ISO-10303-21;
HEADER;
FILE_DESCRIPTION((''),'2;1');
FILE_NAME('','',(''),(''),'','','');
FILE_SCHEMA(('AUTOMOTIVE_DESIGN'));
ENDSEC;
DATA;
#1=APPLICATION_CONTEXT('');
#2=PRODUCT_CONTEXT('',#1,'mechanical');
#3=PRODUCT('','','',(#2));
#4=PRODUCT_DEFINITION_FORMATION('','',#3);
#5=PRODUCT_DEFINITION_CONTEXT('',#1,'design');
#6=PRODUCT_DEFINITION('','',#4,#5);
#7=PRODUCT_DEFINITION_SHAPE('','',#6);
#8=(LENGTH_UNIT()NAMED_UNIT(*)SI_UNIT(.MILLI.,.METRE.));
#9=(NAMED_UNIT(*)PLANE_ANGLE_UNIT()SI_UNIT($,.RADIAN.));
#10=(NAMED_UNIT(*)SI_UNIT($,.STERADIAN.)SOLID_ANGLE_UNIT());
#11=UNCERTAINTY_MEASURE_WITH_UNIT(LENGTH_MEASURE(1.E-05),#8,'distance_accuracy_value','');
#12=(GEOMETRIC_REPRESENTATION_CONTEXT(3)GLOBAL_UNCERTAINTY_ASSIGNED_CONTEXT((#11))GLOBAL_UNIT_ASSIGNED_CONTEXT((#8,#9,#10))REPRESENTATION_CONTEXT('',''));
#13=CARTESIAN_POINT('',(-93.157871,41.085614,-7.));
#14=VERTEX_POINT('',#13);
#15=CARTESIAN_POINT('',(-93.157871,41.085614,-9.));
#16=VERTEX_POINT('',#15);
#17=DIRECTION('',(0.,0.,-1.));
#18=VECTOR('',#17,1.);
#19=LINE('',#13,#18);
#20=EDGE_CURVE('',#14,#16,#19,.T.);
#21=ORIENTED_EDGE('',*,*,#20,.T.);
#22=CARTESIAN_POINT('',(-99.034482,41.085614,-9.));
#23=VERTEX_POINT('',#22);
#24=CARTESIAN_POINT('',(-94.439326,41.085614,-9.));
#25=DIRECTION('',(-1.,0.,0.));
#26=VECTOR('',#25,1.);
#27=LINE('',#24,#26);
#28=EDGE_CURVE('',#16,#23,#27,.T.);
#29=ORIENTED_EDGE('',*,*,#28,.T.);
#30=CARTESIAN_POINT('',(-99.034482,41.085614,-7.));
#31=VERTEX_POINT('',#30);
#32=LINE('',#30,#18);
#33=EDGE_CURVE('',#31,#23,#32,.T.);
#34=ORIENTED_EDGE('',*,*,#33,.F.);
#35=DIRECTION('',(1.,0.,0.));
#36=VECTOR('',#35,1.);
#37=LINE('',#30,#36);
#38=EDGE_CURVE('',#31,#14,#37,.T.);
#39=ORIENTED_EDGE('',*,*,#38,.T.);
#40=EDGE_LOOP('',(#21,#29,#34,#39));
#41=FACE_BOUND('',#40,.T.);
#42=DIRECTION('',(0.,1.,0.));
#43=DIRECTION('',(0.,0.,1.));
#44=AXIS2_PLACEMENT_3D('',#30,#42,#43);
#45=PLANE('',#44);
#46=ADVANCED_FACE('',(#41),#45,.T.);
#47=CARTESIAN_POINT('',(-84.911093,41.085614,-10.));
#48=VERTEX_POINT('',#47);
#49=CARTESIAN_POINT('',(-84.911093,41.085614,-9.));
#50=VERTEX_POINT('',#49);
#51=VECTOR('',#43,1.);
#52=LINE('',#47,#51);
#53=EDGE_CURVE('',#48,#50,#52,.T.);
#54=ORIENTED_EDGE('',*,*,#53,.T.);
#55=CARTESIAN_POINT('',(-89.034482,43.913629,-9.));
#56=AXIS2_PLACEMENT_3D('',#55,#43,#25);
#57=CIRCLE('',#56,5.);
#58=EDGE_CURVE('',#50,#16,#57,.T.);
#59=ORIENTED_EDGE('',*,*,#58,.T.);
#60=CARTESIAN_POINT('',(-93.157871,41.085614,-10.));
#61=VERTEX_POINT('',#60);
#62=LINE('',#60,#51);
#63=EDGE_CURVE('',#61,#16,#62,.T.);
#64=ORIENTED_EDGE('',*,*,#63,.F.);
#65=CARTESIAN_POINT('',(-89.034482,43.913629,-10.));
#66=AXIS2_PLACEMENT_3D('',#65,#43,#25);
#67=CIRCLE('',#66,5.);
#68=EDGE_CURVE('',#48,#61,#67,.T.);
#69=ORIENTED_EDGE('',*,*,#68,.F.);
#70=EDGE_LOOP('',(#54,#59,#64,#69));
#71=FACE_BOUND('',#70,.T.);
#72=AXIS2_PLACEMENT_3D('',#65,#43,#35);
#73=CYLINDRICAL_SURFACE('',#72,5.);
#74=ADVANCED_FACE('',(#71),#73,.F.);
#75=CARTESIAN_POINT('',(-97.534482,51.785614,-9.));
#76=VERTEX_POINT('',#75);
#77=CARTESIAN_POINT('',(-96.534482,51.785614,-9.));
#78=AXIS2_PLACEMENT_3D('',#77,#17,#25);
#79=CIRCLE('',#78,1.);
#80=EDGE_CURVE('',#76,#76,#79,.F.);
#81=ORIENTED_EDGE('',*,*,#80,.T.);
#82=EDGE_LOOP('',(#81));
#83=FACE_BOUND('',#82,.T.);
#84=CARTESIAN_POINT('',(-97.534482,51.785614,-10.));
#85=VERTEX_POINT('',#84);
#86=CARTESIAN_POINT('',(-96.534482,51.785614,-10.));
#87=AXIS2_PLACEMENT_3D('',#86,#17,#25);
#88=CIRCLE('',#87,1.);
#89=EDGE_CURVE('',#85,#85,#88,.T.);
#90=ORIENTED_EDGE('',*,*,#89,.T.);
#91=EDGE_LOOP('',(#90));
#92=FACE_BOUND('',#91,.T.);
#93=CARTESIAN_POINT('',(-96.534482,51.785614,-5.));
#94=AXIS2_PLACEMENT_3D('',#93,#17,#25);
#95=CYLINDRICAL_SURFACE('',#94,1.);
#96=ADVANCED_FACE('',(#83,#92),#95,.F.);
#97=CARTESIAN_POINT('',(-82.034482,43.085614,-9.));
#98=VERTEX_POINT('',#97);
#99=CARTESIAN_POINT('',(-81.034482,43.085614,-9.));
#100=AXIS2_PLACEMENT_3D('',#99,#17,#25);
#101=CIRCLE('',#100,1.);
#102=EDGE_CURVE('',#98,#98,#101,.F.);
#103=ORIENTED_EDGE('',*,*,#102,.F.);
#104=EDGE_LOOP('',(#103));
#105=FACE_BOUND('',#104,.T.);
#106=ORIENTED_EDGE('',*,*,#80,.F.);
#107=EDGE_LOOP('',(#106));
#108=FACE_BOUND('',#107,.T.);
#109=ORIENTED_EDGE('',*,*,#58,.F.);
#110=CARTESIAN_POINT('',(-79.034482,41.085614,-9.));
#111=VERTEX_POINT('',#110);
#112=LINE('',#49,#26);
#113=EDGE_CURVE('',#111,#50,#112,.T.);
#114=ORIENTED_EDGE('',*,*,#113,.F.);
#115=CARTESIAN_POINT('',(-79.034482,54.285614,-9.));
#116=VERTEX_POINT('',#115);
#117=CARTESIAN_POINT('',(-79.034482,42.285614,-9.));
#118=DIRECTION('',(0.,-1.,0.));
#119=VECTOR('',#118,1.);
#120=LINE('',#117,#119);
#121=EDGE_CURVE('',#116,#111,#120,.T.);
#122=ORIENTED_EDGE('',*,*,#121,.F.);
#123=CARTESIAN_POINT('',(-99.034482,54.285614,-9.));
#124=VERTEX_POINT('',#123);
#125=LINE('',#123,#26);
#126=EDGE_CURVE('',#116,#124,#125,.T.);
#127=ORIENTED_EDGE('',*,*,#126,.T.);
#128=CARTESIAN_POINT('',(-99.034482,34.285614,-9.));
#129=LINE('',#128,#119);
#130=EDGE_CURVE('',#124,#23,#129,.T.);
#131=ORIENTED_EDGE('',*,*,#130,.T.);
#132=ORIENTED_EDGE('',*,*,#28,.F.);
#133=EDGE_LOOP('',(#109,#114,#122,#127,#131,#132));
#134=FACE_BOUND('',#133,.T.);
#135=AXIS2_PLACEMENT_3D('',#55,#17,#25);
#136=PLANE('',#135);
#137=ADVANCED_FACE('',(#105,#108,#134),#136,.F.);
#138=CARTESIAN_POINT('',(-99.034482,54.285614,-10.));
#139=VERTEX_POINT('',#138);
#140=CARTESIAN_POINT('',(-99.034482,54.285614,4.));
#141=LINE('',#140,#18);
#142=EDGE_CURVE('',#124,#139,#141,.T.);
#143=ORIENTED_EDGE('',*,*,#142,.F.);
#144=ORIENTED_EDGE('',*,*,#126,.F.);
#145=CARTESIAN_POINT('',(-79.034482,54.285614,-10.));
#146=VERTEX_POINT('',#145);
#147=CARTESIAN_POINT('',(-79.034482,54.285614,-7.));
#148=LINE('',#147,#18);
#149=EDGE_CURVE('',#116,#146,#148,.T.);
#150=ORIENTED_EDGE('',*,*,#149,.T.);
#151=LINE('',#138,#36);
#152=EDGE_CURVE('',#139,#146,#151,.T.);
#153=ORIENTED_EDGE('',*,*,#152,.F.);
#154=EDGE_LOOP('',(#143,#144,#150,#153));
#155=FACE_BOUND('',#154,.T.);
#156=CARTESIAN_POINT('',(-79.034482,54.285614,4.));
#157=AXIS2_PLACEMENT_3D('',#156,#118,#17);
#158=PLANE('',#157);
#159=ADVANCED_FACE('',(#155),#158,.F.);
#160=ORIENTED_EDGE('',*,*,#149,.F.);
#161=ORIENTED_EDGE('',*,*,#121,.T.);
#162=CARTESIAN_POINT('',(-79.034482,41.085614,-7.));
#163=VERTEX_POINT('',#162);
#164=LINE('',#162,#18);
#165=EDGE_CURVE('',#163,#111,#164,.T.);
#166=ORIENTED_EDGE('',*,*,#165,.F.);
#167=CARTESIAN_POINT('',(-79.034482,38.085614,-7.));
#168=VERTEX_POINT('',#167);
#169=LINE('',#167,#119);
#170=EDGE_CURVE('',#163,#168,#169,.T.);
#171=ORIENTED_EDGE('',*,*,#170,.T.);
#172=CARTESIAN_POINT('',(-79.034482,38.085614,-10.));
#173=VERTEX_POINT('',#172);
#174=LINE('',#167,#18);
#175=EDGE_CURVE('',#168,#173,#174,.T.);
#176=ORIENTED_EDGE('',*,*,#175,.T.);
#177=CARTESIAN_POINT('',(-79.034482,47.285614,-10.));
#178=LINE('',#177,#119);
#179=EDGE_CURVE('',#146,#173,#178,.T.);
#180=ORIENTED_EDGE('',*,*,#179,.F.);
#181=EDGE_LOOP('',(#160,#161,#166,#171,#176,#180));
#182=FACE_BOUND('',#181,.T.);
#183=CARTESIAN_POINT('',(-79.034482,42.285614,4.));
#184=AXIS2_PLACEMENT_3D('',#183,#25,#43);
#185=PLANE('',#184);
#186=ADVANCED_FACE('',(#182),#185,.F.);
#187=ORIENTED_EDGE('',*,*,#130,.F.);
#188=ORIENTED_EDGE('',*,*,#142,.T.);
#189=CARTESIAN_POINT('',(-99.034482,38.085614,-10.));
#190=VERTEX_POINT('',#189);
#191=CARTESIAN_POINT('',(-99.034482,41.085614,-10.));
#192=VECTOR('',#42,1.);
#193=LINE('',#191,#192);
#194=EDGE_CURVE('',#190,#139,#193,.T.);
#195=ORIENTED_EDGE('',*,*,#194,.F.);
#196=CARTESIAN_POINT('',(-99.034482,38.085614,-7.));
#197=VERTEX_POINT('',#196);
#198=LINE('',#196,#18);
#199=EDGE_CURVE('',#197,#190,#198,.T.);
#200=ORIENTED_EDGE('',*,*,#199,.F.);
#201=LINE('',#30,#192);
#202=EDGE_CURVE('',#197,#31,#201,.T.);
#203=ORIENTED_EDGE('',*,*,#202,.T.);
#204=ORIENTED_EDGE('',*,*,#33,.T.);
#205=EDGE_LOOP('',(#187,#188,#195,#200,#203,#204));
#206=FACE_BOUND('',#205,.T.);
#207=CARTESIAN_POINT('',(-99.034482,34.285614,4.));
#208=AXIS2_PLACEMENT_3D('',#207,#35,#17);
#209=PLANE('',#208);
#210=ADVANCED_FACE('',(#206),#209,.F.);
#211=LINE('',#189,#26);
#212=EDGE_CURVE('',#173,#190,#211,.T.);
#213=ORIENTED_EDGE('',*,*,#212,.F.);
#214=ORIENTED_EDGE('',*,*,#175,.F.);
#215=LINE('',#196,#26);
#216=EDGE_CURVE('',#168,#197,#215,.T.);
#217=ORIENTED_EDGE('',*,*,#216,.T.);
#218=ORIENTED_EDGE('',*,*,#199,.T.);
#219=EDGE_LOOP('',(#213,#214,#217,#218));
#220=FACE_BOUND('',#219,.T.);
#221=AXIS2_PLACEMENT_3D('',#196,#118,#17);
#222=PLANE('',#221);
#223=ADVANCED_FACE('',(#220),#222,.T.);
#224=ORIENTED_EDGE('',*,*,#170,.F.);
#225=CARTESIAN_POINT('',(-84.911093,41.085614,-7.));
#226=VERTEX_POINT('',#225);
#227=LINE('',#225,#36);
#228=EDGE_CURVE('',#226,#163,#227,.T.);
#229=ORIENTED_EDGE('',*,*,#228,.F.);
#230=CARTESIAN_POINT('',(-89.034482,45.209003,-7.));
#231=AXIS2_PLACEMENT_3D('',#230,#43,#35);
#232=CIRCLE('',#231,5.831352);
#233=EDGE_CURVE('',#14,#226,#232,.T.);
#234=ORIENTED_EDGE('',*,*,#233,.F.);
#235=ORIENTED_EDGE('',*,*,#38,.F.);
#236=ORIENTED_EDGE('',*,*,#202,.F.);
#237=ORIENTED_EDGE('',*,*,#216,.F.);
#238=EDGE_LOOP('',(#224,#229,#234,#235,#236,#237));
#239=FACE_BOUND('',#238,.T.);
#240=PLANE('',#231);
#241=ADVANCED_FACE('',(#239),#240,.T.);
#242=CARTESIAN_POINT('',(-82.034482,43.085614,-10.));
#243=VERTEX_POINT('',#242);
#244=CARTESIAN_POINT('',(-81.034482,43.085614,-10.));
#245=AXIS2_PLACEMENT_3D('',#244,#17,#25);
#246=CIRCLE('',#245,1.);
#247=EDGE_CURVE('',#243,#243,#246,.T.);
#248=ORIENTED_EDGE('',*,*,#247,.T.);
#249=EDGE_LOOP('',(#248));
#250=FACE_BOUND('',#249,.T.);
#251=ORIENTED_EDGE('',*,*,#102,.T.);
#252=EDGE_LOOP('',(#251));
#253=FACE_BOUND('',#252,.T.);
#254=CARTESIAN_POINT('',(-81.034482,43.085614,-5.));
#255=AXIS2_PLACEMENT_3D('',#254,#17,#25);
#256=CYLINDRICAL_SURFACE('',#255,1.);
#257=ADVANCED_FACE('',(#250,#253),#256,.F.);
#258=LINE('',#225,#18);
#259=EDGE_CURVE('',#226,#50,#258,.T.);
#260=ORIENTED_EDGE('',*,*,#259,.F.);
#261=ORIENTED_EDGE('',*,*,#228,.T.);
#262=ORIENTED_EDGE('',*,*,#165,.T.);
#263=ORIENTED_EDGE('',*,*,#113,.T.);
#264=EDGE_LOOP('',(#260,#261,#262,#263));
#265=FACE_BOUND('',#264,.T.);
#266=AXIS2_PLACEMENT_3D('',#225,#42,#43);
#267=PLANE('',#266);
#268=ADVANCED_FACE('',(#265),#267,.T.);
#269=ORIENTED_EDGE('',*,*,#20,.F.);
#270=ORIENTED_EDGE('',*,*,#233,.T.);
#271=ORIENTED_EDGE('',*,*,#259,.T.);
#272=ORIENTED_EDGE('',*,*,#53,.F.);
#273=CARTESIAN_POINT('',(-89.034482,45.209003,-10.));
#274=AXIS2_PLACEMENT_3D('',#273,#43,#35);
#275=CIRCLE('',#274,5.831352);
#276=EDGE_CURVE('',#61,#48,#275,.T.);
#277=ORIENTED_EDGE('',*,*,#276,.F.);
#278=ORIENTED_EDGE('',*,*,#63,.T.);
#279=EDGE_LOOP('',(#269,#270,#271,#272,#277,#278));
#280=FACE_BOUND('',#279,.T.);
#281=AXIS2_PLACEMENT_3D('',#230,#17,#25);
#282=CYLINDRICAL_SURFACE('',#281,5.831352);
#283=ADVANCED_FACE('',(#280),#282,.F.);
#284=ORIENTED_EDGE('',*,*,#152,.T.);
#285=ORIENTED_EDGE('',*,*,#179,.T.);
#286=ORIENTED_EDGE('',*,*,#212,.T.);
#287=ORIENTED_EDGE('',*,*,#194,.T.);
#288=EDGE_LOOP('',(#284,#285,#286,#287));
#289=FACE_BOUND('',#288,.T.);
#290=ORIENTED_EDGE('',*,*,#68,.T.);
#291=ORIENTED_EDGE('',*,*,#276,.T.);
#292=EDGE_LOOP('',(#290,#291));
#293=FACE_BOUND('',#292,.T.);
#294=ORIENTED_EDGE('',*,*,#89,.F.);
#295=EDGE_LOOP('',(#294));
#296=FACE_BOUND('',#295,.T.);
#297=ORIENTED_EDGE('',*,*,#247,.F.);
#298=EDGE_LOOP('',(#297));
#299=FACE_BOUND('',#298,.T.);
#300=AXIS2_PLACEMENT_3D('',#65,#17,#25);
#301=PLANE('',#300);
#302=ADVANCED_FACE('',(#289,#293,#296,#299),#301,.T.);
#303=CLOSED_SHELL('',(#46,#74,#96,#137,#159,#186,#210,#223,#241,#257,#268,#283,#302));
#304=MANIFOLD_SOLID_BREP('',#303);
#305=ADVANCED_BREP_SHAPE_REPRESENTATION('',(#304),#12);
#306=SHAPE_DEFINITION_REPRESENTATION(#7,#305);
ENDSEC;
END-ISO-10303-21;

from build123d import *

# Parameters (mm, degrees)
CROQUIS1_R              = 1.628014373
SALIENTE_EXTRUIR1_DEPTH = 4
SALIENTE_EXTRUIR2_DEPTH = 9
CROQUIS3_R              = 1.5
CORTAR_EXTRUIR1_DEPTH   = 4
SALIENTE_EXTRUIR3_DEPTH = 7
CORTAR_EXTRUIR2_DEPTH   = 4.8
CROQUIS10_R             = 1
CORTAR_EXTRUIR3_DEPTH   = 4
SALIENTE_EXTRUIR4_START = 1
CROQUIS11_R             = 1
CROQUIS11_W             = 5.6
CROQUIS11_H             = 2.5
SALIENTE_EXTRUIR4_DEPTH = 1
CROQUIS12_W             = 27.503266124
CROQUIS12_H             = 20
CORTAR_EXTRUIR4_DEPTH   = 13
CROQUIS13_W             = 5.6
CROQUIS13_H             = 2.5
SALIENTE_EXTRUIR5_DEPTH = 1
SALIENTE_EXTRUIR6_DEPTH = 3
CROQUIS15_W             = 3
CROQUIS15_H             = 7
CORTAR_EXTRUIR5_DEPTH   = 3


with BuildPart() as part:
    # Croquis1 → Saliente-Extruir1 (new body)
    with BuildSketch(Plane.XY):
        with BuildLine():
            Line((-79.034482165, 42.285614206), (-79.034482165, 34.285614206))
            Line((-79.034482165, 34.285614206), (-85.534482165, 34.285614206))
            Line((-85.534482165, 34.285614206), (-85.534482165, 43.91362858))
            ThreePointArc((-85.534482165, 43.91362858), (-89.034482165, 47.41362858), (-92.534482165, 43.91362858))
            Line((-92.534482165, 43.91362858), (-92.534482165, 34.285614206))
            Line((-92.534482165, 34.285614206), (-99.034482165, 34.285614206))
            Line((-99.034482165, 34.285614206), (-99.034482165, 42.285614206))
            Line((-99.034482165, 42.285614206), (-99.034482165, 54.285614206))
            Line((-99.034482165, 54.285614206), (-79.034482165, 54.285614206))
            Line((-79.034482165, 54.285614206), (-79.034482165, 42.285614206))
        make_face()
        with Locations((-96.034482165, 38.285614206)):
            Circle(CROQUIS1_R, mode=Mode.SUBTRACT)
        with Locations((-82.034482165, 38.285614206)):
            Circle(CROQUIS1_R, mode=Mode.SUBTRACT)
    extrude(amount=SALIENTE_EXTRUIR1_DEPTH)

    # Croquis2 → Saliente-Extruir2 (add)
    with BuildSketch(Plane(origin=(0, 0, 0), x_dir=(-1, 0, 0), z_dir=(0, 0, -1))):
        with BuildLine():
            Line((79.034482165, 41.085614206), (83.629638531, 41.085614206))
            ThreePointArc((83.629638531, 41.085614206), (89.034482165, 50.01362858), (94.439325799, 41.085614206))
            Line((94.439325799, 41.085614206), (99.034482165, 41.085614206))
            Line((99.034482165, 41.085614206), (99.034482165, 54.285614206))
            Line((99.034482165, 54.285614206), (79.034482165, 54.285614206))
            Line((79.034482165, 54.285614206), (79.034482165, 41.085614206))
        make_face()
    extrude(amount=SALIENTE_EXTRUIR2_DEPTH)

    # Croquis3 → Cortar-Extruir1 (cut)
    with BuildSketch(Plane(origin=(0, 54.285614206, 0), x_dir=(1, 0, 0), z_dir=(0, 1, 0))):
        with Locations(Location((-90.034482165, 7, 0), (0, 0, 270))):
            Circle(CROQUIS3_R)
        with BuildLine():
            Line((-79.034482165, 8.118033989), (-79.034482165, 5.881966011))
            ThreePointArc((-79.034482165, 5.881966011), (-81.534482165, 7), (-79.034482165, 8.118033989))
        make_face()
    extrude(amount=-CORTAR_EXTRUIR1_DEPTH, mode=Mode.SUBTRACT)

    # Croquis4 → Saliente-Extruir3 (add)
    with BuildSketch(Plane(origin=(0, 54.285614206, 0), x_dir=(1, 0, 0), z_dir=(0, 1, 0))):
        with BuildLine():
            Line((-76.034482165, 1), (-76.034482165, 9))
            Line((-76.034482165, 9), (-79.034482165, 9))
            Line((-79.034482165, 9), (-79.034482165, 8.118033989))
            ThreePointArc((-79.034482165, 8.118033989), (-78.534482165, 7), (-79.034482165, 5.881966011))
            Line((-79.034482165, 5.881966011), (-79.034482165, -4))
            Line((-79.034482165, -4), (-76.034482165, 1))
        make_face()
    extrude(amount=-SALIENTE_EXTRUIR3_DEPTH)

    # Croquis5 → Cortar-Extruir2 (cut)
    with BuildSketch(Plane(origin=(0, 0, -9), x_dir=(-1, 0, 0), z_dir=(0, 0, -1))):
        Polygon((90.034482165, 50.285614206), (92.834482165, 50.285614206), (92.834482165, 52.785614206), (87.234482165, 52.785614206), (87.234482165, 50.285614206), align=None)
        Polygon((80.034482165, 50.285614206), (82.834482165, 50.285614206), (82.834482165, 52.785614206), (77.234482165, 52.785614206), (77.234482165, 50.285614206), align=None)
    extrude(amount=-CORTAR_EXTRUIR2_DEPTH, mode=Mode.SUBTRACT)

    # Croquis10 → Cortar-Extruir3 (cut)
    with BuildSketch(Plane(origin=(0, 0, -9), x_dir=(-1, 0, 0), z_dir=(0, 0, -1))):
        with Locations((96.534482165, 51.785614206)):
            Circle(CROQUIS10_R)
        with Locations((81.034482165, 43.085614206)):
            Circle(CROQUIS10_R)
    extrude(amount=-CORTAR_EXTRUIR3_DEPTH, mode=Mode.SUBTRACT)

    # Croquis11 → Saliente-Extruir4 (add)
    with BuildSketch(Plane(origin=(0, 0, -9), x_dir=(-1, 0, 0), z_dir=(0, 0, -1)).offset(SALIENTE_EXTRUIR4_START)):
        with BuildLine():
            Line((94.439325799, 41.085614206), (99.034482165, 41.085614206))
            Line((99.034482165, 41.085614206), (99.034482165, 54.285614206))
            Line((99.034482165, 54.285614206), (76.034482165, 54.285614206))
            Line((76.034482165, 54.285614206), (76.034482165, 47.285614206))
            Line((76.034482165, 47.285614206), (79.034482165, 47.285614206))
            Line((79.034482165, 47.285614206), (79.034482165, 41.085614206))
            Line((79.034482165, 41.085614206), (83.629638531, 41.085614206))
            Line((83.629638531, 41.085614206), (84.911093424, 41.085614206))
            ThreePointArc((84.911093424, 41.085614206), (89.034482165, 48.91362858), (93.157870905, 41.085614206))
            Line((93.157870905, 41.085614206), (94.439325799, 41.085614206))
        make_face()
        with Locations((96.534482165, 51.785614206)):
            Circle(CROQUIS11_R, mode=Mode.SUBTRACT)
        with Locations((81.034482165, 43.085614206)):
            Circle(CROQUIS11_R, mode=Mode.SUBTRACT)
        with Locations((90.034482165, 51.535614206)):
            Rectangle(CROQUIS11_W, CROQUIS11_H, mode=Mode.SUBTRACT)
        with Locations((80.034482165, 51.535614206)):
            Rectangle(CROQUIS11_W, CROQUIS11_H, mode=Mode.SUBTRACT)
    extrude(amount=-SALIENTE_EXTRUIR4_DEPTH)

    # Croquis12 → Cortar-Extruir4 (cut)
    with BuildSketch(Plane.XY.offset(4)):
        with Locations((-85.282849103, 44.285614206)):
            Rectangle(CROQUIS12_W, CROQUIS12_H)
    extrude(amount=-CORTAR_EXTRUIR4_DEPTH, mode=Mode.SUBTRACT)

    # Croquis13 → Saliente-Extruir5 (add)
    with BuildSketch(Plane(origin=(0, 0, -10), x_dir=(-1, 0, 0), z_dir=(0, 0, -1))):
        with Locations((90.034482165, 51.535614206)):
            Rectangle(CROQUIS13_W, CROQUIS13_H)
        with Locations((80.034482165, 51.535614206)):
            Rectangle(CROQUIS13_W, CROQUIS13_H)
    extrude(amount=-SALIENTE_EXTRUIR5_DEPTH)

    # Croquis14 → Saliente-Extruir6 (add)
    with BuildSketch(Plane(origin=(0, 0, -10), x_dir=(-1, 0, 0), z_dir=(0, 0, -1))):
        with BuildLine():
            Line((99.034482165, 41.085614206), (99.034482165, 38.085614206))
            Line((99.034482165, 38.085614206), (79.034482165, 38.085614206))
            Line((79.034482165, 38.085614206), (79.034482165, 41.085614206))
            Line((79.034482165, 41.085614206), (84.911093424, 41.085614206))
            ThreePointArc((84.911093424, 41.085614206), (89.034482165, 39.377650667), (93.157870905, 41.085614206))
            Line((93.157870905, 41.085614206), (99.034482165, 41.085614206))
        make_face()
    extrude(amount=-SALIENTE_EXTRUIR6_DEPTH)

    # Croquis15 → Cortar-Extruir5 (cut)
    with BuildSketch(Plane(origin=(0, 0, -10), x_dir=(-1, 0, 0), z_dir=(0, 0, -1))):
        with Locations((77.534482165, 50.785614206)):
            Rectangle(CROQUIS15_W, CROQUIS15_H)
    extrude(amount=-CORTAR_EXTRUIR5_DEPTH, mode=Mode.SUBTRACT)


solid = part.part
